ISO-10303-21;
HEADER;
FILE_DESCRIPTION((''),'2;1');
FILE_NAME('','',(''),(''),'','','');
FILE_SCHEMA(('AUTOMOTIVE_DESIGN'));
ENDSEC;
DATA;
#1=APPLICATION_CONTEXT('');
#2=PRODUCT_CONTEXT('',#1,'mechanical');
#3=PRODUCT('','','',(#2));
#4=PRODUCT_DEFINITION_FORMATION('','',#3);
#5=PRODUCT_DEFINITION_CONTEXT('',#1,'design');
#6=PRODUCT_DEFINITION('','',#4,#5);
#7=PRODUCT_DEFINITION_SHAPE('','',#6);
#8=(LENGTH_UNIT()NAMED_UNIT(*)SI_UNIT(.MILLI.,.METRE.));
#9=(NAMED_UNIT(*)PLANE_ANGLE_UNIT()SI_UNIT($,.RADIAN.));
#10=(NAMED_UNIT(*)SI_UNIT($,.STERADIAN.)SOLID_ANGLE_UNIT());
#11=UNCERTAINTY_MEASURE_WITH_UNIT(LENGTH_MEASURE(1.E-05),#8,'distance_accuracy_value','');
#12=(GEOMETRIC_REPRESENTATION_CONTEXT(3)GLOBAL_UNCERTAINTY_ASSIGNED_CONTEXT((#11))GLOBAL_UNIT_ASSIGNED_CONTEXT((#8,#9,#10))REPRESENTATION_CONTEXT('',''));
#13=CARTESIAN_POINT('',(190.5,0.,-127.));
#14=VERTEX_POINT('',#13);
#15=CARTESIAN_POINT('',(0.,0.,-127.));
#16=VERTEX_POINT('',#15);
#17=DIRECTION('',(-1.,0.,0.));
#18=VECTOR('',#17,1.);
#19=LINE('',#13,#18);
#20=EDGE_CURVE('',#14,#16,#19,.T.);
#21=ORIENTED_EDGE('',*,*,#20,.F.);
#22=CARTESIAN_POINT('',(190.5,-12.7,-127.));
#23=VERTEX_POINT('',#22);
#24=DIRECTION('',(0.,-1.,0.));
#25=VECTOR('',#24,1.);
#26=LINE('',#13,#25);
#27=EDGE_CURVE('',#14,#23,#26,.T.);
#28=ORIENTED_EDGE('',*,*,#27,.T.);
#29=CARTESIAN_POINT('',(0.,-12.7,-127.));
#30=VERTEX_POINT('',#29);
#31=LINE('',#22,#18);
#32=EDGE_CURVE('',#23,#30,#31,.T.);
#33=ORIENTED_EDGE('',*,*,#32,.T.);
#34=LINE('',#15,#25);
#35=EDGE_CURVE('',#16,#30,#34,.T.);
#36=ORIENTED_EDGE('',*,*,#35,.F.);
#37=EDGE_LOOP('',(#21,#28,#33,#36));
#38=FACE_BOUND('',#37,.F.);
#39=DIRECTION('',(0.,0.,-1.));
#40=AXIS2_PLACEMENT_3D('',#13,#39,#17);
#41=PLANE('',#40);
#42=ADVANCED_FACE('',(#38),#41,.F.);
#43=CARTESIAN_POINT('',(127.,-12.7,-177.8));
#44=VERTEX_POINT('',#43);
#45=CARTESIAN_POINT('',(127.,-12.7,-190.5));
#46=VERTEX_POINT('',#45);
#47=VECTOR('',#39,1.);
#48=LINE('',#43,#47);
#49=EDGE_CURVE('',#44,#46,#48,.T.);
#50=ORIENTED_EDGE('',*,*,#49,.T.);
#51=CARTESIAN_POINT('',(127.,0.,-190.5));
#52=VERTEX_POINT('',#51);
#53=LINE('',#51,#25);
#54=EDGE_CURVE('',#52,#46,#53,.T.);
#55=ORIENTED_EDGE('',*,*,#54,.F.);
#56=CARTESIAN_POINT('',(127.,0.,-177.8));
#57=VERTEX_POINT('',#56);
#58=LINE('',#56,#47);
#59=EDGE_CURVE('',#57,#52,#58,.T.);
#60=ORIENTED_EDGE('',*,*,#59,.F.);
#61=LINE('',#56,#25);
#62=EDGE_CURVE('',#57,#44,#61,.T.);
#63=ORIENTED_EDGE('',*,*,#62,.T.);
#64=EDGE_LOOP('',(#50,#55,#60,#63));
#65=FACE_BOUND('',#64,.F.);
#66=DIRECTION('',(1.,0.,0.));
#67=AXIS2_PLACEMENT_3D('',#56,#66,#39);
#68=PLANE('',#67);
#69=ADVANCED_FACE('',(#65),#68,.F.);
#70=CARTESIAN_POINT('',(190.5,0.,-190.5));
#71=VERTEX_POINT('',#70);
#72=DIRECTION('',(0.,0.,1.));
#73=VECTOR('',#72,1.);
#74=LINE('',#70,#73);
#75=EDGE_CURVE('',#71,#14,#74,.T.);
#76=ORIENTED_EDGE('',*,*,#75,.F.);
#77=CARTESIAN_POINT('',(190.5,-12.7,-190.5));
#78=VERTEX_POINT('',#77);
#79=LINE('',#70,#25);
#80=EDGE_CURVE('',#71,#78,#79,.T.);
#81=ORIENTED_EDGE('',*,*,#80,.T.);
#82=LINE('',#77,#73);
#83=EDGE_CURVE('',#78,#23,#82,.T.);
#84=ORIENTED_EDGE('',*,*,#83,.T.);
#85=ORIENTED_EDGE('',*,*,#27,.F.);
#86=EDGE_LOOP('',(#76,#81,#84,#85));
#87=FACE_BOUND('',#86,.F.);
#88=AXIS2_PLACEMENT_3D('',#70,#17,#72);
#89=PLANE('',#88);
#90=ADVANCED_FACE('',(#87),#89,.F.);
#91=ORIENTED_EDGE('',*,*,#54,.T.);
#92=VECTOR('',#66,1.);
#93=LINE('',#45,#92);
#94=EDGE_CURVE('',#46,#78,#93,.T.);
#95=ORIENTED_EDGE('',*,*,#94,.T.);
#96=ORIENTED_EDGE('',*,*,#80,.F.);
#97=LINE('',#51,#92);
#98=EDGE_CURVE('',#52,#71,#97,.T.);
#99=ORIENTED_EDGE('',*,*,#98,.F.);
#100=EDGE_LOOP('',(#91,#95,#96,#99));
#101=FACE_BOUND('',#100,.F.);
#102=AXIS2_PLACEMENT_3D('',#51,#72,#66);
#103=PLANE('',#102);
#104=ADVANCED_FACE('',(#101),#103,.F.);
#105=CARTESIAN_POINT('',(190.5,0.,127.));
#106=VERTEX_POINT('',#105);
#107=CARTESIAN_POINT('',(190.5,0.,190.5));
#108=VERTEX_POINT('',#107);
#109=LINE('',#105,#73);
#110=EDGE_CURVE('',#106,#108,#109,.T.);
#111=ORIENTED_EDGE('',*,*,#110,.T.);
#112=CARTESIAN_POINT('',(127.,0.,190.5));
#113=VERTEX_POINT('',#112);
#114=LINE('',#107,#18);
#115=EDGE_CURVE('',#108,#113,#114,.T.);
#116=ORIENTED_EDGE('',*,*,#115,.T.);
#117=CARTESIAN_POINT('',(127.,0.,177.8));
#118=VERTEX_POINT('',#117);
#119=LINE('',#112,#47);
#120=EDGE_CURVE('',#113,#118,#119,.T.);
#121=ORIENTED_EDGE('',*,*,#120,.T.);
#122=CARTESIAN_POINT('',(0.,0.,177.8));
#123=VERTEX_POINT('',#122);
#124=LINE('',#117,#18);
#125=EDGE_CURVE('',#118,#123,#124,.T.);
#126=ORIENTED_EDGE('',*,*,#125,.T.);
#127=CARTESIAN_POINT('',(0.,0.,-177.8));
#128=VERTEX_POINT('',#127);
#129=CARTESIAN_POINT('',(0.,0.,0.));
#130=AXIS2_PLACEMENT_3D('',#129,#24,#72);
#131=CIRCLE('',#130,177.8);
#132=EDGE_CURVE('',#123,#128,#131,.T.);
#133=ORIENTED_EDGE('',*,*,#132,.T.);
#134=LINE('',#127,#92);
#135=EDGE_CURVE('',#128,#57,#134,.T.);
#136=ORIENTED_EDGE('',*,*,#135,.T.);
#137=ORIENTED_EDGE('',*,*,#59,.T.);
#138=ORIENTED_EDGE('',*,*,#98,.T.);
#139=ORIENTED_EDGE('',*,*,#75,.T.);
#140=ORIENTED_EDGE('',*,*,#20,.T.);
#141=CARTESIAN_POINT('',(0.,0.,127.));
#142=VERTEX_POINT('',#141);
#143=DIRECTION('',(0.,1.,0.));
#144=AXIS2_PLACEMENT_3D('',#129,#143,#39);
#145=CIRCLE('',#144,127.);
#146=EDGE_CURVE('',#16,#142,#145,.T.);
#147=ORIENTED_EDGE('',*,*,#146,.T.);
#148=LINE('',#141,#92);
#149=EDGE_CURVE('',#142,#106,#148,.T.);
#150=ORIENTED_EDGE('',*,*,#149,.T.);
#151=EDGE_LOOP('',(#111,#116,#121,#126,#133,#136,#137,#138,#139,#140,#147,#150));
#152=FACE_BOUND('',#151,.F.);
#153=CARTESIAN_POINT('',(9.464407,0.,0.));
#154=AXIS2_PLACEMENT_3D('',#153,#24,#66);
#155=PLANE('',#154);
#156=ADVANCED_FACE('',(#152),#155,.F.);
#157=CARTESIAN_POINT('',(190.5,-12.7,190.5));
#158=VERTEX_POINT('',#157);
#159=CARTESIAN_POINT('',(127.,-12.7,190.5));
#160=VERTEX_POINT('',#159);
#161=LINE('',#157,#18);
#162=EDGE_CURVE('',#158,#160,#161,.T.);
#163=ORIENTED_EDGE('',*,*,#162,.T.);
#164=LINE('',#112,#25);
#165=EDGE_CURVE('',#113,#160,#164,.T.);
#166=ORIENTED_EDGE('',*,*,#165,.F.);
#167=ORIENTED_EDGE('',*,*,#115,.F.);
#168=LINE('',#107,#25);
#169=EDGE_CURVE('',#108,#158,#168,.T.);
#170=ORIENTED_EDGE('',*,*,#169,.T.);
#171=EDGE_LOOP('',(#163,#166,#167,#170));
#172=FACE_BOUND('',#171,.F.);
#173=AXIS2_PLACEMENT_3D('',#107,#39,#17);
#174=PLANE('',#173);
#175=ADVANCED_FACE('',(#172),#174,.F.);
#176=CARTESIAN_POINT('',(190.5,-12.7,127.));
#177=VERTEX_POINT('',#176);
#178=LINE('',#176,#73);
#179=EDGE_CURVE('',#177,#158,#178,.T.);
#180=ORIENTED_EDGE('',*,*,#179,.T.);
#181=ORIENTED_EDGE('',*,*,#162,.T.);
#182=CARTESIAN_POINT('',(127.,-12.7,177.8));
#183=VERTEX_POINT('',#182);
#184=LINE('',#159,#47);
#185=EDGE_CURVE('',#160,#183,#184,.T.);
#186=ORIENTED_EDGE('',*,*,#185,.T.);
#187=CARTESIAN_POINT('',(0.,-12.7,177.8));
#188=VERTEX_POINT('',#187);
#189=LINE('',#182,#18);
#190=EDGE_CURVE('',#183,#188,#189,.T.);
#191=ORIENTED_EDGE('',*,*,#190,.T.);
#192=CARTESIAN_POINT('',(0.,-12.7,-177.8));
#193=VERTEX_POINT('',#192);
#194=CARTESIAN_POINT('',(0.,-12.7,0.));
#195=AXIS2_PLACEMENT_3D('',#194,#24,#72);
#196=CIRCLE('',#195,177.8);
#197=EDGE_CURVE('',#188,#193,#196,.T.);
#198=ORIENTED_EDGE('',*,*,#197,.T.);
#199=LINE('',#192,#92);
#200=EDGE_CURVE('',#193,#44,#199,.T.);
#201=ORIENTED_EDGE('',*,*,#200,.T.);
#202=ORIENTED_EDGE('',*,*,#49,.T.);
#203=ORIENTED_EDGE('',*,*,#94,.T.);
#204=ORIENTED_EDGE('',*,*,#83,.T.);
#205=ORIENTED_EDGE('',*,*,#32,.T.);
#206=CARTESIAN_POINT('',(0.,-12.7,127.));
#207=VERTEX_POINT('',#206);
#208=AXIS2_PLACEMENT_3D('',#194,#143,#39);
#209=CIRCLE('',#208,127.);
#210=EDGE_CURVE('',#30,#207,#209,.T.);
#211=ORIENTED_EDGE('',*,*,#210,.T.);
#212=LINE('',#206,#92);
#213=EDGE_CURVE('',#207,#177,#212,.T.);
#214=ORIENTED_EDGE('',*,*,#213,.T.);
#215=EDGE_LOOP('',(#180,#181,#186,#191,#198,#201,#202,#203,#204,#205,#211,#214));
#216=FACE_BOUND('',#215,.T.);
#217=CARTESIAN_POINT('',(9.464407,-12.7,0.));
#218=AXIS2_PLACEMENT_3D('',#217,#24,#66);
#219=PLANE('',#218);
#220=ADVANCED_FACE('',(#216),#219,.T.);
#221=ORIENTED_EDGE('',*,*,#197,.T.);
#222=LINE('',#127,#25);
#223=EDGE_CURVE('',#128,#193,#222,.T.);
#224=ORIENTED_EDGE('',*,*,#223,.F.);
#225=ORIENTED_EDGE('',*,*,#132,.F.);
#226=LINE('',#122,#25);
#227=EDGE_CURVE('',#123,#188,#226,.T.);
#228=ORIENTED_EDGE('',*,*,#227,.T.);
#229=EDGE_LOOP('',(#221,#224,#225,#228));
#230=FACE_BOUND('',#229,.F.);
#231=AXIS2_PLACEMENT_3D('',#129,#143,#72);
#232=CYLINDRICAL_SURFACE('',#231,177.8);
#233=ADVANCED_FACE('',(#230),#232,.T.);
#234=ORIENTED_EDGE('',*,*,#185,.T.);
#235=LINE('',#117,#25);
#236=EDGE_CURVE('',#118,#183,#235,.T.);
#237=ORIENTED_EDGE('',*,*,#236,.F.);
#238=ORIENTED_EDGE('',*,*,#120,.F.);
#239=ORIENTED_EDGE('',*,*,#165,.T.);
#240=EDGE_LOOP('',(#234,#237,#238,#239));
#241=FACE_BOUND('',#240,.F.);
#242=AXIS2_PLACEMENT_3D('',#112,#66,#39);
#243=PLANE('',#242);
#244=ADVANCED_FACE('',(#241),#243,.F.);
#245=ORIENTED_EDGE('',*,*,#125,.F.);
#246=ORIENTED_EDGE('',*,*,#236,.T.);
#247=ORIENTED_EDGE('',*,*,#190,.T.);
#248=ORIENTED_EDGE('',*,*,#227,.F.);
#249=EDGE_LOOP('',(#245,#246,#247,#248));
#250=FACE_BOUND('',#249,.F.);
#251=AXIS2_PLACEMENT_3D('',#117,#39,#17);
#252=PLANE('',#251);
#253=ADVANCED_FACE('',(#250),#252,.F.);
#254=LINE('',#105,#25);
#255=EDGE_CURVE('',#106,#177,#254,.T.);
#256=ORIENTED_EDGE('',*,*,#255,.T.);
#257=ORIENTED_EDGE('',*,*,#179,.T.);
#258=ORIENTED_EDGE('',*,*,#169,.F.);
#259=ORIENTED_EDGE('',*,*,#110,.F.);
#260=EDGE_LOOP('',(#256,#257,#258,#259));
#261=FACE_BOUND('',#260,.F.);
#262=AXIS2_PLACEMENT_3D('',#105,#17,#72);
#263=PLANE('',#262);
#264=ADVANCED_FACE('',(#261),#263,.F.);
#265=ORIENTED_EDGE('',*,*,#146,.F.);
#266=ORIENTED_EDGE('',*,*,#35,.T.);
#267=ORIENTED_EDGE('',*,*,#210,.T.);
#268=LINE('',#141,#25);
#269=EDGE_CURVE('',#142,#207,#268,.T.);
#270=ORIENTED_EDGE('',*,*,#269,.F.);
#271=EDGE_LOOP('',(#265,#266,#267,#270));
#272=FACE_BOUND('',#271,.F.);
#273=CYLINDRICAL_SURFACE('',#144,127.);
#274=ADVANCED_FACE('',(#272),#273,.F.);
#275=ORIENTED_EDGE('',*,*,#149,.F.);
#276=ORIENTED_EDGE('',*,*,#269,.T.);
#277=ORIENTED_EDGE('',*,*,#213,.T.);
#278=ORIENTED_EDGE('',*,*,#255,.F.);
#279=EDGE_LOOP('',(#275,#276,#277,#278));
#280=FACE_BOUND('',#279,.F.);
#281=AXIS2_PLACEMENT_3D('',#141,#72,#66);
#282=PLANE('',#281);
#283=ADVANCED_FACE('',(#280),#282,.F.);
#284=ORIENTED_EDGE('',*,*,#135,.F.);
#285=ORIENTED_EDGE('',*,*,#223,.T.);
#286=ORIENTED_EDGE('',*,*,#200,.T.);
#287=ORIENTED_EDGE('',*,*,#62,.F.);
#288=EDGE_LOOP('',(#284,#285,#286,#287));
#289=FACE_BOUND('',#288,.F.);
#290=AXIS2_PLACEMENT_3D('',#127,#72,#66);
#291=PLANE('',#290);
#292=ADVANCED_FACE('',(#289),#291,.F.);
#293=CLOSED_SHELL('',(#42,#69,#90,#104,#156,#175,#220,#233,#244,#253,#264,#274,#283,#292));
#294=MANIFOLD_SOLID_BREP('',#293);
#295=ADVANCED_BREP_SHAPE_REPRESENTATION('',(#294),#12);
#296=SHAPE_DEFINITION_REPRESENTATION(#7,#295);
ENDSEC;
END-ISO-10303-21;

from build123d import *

# Parameters (mm, degrees)
F1_DEPTH = 12.7


with BuildPart() as f1:
    # F0 (on Front) → F1 (new body)
    with BuildSketch(Plane.XZ):
        with BuildLine():
            Line((127, 177.8), (0, 177.8))
            ThreePointArc((0, 177.8), (-177.8, 0), (0, -177.8))
            Line((0, -177.8), (127, -177.8))
            Line((127, -177.8), (127, -190.5))
            Line((127, -190.5), (190.5, -190.5))
            Line((190.5, -190.5), (190.5, -177.8))
            Line((190.5, -177.8), (190.5, -127))
            Line((190.5, -127), (127, -127))
            Line((127, -127), (0, -127))
            ThreePointArc((0, -127), (-127, 0), (0, 127))
            Line((0, 127), (127, 127))
            Line((127, 127), (190.5, 127))
            Line((190.5, 127), (190.5, 177.8))
            Line((190.5, 177.8), (190.5, 190.5))
            Line((190.5, 190.5), (127, 190.5))
            Line((127, 190.5), (127, 177.8))
        make_face()
    extrude(amount=F1_DEPTH)


solid = f1.part
